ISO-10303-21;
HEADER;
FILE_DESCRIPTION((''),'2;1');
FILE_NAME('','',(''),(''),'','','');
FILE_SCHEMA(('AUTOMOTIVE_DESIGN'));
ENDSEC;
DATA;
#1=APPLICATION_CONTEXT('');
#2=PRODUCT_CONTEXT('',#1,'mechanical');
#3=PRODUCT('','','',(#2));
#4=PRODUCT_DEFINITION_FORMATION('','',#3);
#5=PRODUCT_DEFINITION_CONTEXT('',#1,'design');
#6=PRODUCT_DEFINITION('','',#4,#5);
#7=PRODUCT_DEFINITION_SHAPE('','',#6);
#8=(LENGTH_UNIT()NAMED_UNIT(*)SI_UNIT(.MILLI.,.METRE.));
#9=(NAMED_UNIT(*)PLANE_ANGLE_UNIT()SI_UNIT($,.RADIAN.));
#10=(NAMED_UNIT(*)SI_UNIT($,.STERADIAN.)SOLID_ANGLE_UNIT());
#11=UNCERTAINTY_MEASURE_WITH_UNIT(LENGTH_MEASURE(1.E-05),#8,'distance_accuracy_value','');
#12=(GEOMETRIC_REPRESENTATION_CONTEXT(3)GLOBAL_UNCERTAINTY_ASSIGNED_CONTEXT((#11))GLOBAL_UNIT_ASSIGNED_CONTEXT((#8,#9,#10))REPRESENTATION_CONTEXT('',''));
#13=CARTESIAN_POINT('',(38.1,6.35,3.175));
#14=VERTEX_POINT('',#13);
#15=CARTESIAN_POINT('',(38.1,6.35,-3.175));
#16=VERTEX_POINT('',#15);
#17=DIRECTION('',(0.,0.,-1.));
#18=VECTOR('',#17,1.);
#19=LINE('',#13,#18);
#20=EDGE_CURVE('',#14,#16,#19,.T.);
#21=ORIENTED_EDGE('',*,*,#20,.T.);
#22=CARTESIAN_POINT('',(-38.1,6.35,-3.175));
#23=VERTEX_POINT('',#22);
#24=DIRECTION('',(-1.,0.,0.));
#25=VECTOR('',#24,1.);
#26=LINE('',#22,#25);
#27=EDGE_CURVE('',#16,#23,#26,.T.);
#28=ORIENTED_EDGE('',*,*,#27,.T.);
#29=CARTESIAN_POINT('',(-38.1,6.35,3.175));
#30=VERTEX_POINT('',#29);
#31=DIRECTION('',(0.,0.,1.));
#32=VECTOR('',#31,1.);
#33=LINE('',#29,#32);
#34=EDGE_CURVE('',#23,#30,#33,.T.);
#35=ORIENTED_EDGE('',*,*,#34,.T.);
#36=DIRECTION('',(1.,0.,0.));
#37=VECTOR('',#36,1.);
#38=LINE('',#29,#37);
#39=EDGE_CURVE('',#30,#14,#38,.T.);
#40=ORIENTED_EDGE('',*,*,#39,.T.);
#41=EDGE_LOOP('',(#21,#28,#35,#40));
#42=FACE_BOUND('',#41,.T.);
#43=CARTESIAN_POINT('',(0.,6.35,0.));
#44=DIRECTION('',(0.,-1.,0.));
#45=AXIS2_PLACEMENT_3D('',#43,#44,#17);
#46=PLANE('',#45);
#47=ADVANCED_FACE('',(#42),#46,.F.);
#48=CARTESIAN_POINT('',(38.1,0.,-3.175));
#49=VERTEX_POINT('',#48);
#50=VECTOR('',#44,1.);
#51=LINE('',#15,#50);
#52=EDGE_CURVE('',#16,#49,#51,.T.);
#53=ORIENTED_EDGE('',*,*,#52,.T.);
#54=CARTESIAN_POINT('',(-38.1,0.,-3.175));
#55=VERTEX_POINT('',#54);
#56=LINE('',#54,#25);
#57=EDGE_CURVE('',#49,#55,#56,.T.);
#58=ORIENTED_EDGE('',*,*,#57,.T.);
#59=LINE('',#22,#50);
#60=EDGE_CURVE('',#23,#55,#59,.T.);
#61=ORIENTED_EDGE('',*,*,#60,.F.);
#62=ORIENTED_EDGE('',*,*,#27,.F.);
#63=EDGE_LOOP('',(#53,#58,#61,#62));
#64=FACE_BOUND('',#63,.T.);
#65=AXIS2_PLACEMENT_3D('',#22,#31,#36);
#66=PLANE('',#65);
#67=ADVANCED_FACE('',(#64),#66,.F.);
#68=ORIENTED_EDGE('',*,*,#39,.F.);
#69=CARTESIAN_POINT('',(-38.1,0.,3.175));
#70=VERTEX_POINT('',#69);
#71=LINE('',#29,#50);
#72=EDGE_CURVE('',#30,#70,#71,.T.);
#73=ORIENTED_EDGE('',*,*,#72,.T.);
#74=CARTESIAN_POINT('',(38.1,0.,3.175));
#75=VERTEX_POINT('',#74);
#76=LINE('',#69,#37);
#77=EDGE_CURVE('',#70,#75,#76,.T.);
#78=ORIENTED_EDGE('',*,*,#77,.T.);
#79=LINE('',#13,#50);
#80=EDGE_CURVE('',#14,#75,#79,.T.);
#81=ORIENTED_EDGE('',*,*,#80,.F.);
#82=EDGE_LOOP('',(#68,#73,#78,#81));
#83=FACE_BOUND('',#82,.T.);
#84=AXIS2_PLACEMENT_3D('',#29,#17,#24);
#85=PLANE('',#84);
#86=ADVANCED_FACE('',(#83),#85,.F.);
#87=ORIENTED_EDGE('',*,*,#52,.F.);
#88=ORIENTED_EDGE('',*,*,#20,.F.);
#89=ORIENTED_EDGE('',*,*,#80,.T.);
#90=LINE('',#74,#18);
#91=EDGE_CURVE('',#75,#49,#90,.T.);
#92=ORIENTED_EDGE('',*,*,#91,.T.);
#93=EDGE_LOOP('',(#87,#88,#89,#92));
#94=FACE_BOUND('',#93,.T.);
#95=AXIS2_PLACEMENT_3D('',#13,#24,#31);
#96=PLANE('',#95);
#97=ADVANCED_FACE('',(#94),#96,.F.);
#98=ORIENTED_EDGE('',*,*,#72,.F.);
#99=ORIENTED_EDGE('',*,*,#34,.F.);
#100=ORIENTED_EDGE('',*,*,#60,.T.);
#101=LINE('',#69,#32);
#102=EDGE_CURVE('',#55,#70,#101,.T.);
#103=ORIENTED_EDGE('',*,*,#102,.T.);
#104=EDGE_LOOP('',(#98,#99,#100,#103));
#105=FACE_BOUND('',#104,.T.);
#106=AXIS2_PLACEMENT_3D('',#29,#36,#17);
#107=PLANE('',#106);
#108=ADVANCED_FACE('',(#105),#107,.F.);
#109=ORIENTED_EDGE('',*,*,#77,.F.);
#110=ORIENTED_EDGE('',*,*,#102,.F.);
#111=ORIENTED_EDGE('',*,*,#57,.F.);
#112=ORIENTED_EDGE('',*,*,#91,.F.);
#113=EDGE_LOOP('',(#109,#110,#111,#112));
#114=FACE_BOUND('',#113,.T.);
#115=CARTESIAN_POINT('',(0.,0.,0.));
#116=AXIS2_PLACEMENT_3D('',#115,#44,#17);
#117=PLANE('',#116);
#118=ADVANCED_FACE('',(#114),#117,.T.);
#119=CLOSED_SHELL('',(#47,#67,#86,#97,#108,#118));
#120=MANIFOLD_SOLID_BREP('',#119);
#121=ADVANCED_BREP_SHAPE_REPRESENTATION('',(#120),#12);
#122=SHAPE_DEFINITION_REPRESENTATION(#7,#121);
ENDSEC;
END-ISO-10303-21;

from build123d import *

# Parameters (mm, degrees)
BELT_DRIVE_AXLE_W   = 76.2
BELT_DRIVE_AXLE_H   = 6.35
BOSS_EXTRUDE1_DEPTH = 6.35


with BuildPart() as part:
    # Belt Drive Axle → Boss-Extrude1 (new body)
    with BuildSketch(Plane(origin=(0, 0, 0), x_dir=(1, 0, 0), z_dir=(0, 1, 0))):
        Rectangle(BELT_DRIVE_AXLE_W, BELT_DRIVE_AXLE_H)
    extrude(amount=BOSS_EXTRUDE1_DEPTH)


solid = part.part
